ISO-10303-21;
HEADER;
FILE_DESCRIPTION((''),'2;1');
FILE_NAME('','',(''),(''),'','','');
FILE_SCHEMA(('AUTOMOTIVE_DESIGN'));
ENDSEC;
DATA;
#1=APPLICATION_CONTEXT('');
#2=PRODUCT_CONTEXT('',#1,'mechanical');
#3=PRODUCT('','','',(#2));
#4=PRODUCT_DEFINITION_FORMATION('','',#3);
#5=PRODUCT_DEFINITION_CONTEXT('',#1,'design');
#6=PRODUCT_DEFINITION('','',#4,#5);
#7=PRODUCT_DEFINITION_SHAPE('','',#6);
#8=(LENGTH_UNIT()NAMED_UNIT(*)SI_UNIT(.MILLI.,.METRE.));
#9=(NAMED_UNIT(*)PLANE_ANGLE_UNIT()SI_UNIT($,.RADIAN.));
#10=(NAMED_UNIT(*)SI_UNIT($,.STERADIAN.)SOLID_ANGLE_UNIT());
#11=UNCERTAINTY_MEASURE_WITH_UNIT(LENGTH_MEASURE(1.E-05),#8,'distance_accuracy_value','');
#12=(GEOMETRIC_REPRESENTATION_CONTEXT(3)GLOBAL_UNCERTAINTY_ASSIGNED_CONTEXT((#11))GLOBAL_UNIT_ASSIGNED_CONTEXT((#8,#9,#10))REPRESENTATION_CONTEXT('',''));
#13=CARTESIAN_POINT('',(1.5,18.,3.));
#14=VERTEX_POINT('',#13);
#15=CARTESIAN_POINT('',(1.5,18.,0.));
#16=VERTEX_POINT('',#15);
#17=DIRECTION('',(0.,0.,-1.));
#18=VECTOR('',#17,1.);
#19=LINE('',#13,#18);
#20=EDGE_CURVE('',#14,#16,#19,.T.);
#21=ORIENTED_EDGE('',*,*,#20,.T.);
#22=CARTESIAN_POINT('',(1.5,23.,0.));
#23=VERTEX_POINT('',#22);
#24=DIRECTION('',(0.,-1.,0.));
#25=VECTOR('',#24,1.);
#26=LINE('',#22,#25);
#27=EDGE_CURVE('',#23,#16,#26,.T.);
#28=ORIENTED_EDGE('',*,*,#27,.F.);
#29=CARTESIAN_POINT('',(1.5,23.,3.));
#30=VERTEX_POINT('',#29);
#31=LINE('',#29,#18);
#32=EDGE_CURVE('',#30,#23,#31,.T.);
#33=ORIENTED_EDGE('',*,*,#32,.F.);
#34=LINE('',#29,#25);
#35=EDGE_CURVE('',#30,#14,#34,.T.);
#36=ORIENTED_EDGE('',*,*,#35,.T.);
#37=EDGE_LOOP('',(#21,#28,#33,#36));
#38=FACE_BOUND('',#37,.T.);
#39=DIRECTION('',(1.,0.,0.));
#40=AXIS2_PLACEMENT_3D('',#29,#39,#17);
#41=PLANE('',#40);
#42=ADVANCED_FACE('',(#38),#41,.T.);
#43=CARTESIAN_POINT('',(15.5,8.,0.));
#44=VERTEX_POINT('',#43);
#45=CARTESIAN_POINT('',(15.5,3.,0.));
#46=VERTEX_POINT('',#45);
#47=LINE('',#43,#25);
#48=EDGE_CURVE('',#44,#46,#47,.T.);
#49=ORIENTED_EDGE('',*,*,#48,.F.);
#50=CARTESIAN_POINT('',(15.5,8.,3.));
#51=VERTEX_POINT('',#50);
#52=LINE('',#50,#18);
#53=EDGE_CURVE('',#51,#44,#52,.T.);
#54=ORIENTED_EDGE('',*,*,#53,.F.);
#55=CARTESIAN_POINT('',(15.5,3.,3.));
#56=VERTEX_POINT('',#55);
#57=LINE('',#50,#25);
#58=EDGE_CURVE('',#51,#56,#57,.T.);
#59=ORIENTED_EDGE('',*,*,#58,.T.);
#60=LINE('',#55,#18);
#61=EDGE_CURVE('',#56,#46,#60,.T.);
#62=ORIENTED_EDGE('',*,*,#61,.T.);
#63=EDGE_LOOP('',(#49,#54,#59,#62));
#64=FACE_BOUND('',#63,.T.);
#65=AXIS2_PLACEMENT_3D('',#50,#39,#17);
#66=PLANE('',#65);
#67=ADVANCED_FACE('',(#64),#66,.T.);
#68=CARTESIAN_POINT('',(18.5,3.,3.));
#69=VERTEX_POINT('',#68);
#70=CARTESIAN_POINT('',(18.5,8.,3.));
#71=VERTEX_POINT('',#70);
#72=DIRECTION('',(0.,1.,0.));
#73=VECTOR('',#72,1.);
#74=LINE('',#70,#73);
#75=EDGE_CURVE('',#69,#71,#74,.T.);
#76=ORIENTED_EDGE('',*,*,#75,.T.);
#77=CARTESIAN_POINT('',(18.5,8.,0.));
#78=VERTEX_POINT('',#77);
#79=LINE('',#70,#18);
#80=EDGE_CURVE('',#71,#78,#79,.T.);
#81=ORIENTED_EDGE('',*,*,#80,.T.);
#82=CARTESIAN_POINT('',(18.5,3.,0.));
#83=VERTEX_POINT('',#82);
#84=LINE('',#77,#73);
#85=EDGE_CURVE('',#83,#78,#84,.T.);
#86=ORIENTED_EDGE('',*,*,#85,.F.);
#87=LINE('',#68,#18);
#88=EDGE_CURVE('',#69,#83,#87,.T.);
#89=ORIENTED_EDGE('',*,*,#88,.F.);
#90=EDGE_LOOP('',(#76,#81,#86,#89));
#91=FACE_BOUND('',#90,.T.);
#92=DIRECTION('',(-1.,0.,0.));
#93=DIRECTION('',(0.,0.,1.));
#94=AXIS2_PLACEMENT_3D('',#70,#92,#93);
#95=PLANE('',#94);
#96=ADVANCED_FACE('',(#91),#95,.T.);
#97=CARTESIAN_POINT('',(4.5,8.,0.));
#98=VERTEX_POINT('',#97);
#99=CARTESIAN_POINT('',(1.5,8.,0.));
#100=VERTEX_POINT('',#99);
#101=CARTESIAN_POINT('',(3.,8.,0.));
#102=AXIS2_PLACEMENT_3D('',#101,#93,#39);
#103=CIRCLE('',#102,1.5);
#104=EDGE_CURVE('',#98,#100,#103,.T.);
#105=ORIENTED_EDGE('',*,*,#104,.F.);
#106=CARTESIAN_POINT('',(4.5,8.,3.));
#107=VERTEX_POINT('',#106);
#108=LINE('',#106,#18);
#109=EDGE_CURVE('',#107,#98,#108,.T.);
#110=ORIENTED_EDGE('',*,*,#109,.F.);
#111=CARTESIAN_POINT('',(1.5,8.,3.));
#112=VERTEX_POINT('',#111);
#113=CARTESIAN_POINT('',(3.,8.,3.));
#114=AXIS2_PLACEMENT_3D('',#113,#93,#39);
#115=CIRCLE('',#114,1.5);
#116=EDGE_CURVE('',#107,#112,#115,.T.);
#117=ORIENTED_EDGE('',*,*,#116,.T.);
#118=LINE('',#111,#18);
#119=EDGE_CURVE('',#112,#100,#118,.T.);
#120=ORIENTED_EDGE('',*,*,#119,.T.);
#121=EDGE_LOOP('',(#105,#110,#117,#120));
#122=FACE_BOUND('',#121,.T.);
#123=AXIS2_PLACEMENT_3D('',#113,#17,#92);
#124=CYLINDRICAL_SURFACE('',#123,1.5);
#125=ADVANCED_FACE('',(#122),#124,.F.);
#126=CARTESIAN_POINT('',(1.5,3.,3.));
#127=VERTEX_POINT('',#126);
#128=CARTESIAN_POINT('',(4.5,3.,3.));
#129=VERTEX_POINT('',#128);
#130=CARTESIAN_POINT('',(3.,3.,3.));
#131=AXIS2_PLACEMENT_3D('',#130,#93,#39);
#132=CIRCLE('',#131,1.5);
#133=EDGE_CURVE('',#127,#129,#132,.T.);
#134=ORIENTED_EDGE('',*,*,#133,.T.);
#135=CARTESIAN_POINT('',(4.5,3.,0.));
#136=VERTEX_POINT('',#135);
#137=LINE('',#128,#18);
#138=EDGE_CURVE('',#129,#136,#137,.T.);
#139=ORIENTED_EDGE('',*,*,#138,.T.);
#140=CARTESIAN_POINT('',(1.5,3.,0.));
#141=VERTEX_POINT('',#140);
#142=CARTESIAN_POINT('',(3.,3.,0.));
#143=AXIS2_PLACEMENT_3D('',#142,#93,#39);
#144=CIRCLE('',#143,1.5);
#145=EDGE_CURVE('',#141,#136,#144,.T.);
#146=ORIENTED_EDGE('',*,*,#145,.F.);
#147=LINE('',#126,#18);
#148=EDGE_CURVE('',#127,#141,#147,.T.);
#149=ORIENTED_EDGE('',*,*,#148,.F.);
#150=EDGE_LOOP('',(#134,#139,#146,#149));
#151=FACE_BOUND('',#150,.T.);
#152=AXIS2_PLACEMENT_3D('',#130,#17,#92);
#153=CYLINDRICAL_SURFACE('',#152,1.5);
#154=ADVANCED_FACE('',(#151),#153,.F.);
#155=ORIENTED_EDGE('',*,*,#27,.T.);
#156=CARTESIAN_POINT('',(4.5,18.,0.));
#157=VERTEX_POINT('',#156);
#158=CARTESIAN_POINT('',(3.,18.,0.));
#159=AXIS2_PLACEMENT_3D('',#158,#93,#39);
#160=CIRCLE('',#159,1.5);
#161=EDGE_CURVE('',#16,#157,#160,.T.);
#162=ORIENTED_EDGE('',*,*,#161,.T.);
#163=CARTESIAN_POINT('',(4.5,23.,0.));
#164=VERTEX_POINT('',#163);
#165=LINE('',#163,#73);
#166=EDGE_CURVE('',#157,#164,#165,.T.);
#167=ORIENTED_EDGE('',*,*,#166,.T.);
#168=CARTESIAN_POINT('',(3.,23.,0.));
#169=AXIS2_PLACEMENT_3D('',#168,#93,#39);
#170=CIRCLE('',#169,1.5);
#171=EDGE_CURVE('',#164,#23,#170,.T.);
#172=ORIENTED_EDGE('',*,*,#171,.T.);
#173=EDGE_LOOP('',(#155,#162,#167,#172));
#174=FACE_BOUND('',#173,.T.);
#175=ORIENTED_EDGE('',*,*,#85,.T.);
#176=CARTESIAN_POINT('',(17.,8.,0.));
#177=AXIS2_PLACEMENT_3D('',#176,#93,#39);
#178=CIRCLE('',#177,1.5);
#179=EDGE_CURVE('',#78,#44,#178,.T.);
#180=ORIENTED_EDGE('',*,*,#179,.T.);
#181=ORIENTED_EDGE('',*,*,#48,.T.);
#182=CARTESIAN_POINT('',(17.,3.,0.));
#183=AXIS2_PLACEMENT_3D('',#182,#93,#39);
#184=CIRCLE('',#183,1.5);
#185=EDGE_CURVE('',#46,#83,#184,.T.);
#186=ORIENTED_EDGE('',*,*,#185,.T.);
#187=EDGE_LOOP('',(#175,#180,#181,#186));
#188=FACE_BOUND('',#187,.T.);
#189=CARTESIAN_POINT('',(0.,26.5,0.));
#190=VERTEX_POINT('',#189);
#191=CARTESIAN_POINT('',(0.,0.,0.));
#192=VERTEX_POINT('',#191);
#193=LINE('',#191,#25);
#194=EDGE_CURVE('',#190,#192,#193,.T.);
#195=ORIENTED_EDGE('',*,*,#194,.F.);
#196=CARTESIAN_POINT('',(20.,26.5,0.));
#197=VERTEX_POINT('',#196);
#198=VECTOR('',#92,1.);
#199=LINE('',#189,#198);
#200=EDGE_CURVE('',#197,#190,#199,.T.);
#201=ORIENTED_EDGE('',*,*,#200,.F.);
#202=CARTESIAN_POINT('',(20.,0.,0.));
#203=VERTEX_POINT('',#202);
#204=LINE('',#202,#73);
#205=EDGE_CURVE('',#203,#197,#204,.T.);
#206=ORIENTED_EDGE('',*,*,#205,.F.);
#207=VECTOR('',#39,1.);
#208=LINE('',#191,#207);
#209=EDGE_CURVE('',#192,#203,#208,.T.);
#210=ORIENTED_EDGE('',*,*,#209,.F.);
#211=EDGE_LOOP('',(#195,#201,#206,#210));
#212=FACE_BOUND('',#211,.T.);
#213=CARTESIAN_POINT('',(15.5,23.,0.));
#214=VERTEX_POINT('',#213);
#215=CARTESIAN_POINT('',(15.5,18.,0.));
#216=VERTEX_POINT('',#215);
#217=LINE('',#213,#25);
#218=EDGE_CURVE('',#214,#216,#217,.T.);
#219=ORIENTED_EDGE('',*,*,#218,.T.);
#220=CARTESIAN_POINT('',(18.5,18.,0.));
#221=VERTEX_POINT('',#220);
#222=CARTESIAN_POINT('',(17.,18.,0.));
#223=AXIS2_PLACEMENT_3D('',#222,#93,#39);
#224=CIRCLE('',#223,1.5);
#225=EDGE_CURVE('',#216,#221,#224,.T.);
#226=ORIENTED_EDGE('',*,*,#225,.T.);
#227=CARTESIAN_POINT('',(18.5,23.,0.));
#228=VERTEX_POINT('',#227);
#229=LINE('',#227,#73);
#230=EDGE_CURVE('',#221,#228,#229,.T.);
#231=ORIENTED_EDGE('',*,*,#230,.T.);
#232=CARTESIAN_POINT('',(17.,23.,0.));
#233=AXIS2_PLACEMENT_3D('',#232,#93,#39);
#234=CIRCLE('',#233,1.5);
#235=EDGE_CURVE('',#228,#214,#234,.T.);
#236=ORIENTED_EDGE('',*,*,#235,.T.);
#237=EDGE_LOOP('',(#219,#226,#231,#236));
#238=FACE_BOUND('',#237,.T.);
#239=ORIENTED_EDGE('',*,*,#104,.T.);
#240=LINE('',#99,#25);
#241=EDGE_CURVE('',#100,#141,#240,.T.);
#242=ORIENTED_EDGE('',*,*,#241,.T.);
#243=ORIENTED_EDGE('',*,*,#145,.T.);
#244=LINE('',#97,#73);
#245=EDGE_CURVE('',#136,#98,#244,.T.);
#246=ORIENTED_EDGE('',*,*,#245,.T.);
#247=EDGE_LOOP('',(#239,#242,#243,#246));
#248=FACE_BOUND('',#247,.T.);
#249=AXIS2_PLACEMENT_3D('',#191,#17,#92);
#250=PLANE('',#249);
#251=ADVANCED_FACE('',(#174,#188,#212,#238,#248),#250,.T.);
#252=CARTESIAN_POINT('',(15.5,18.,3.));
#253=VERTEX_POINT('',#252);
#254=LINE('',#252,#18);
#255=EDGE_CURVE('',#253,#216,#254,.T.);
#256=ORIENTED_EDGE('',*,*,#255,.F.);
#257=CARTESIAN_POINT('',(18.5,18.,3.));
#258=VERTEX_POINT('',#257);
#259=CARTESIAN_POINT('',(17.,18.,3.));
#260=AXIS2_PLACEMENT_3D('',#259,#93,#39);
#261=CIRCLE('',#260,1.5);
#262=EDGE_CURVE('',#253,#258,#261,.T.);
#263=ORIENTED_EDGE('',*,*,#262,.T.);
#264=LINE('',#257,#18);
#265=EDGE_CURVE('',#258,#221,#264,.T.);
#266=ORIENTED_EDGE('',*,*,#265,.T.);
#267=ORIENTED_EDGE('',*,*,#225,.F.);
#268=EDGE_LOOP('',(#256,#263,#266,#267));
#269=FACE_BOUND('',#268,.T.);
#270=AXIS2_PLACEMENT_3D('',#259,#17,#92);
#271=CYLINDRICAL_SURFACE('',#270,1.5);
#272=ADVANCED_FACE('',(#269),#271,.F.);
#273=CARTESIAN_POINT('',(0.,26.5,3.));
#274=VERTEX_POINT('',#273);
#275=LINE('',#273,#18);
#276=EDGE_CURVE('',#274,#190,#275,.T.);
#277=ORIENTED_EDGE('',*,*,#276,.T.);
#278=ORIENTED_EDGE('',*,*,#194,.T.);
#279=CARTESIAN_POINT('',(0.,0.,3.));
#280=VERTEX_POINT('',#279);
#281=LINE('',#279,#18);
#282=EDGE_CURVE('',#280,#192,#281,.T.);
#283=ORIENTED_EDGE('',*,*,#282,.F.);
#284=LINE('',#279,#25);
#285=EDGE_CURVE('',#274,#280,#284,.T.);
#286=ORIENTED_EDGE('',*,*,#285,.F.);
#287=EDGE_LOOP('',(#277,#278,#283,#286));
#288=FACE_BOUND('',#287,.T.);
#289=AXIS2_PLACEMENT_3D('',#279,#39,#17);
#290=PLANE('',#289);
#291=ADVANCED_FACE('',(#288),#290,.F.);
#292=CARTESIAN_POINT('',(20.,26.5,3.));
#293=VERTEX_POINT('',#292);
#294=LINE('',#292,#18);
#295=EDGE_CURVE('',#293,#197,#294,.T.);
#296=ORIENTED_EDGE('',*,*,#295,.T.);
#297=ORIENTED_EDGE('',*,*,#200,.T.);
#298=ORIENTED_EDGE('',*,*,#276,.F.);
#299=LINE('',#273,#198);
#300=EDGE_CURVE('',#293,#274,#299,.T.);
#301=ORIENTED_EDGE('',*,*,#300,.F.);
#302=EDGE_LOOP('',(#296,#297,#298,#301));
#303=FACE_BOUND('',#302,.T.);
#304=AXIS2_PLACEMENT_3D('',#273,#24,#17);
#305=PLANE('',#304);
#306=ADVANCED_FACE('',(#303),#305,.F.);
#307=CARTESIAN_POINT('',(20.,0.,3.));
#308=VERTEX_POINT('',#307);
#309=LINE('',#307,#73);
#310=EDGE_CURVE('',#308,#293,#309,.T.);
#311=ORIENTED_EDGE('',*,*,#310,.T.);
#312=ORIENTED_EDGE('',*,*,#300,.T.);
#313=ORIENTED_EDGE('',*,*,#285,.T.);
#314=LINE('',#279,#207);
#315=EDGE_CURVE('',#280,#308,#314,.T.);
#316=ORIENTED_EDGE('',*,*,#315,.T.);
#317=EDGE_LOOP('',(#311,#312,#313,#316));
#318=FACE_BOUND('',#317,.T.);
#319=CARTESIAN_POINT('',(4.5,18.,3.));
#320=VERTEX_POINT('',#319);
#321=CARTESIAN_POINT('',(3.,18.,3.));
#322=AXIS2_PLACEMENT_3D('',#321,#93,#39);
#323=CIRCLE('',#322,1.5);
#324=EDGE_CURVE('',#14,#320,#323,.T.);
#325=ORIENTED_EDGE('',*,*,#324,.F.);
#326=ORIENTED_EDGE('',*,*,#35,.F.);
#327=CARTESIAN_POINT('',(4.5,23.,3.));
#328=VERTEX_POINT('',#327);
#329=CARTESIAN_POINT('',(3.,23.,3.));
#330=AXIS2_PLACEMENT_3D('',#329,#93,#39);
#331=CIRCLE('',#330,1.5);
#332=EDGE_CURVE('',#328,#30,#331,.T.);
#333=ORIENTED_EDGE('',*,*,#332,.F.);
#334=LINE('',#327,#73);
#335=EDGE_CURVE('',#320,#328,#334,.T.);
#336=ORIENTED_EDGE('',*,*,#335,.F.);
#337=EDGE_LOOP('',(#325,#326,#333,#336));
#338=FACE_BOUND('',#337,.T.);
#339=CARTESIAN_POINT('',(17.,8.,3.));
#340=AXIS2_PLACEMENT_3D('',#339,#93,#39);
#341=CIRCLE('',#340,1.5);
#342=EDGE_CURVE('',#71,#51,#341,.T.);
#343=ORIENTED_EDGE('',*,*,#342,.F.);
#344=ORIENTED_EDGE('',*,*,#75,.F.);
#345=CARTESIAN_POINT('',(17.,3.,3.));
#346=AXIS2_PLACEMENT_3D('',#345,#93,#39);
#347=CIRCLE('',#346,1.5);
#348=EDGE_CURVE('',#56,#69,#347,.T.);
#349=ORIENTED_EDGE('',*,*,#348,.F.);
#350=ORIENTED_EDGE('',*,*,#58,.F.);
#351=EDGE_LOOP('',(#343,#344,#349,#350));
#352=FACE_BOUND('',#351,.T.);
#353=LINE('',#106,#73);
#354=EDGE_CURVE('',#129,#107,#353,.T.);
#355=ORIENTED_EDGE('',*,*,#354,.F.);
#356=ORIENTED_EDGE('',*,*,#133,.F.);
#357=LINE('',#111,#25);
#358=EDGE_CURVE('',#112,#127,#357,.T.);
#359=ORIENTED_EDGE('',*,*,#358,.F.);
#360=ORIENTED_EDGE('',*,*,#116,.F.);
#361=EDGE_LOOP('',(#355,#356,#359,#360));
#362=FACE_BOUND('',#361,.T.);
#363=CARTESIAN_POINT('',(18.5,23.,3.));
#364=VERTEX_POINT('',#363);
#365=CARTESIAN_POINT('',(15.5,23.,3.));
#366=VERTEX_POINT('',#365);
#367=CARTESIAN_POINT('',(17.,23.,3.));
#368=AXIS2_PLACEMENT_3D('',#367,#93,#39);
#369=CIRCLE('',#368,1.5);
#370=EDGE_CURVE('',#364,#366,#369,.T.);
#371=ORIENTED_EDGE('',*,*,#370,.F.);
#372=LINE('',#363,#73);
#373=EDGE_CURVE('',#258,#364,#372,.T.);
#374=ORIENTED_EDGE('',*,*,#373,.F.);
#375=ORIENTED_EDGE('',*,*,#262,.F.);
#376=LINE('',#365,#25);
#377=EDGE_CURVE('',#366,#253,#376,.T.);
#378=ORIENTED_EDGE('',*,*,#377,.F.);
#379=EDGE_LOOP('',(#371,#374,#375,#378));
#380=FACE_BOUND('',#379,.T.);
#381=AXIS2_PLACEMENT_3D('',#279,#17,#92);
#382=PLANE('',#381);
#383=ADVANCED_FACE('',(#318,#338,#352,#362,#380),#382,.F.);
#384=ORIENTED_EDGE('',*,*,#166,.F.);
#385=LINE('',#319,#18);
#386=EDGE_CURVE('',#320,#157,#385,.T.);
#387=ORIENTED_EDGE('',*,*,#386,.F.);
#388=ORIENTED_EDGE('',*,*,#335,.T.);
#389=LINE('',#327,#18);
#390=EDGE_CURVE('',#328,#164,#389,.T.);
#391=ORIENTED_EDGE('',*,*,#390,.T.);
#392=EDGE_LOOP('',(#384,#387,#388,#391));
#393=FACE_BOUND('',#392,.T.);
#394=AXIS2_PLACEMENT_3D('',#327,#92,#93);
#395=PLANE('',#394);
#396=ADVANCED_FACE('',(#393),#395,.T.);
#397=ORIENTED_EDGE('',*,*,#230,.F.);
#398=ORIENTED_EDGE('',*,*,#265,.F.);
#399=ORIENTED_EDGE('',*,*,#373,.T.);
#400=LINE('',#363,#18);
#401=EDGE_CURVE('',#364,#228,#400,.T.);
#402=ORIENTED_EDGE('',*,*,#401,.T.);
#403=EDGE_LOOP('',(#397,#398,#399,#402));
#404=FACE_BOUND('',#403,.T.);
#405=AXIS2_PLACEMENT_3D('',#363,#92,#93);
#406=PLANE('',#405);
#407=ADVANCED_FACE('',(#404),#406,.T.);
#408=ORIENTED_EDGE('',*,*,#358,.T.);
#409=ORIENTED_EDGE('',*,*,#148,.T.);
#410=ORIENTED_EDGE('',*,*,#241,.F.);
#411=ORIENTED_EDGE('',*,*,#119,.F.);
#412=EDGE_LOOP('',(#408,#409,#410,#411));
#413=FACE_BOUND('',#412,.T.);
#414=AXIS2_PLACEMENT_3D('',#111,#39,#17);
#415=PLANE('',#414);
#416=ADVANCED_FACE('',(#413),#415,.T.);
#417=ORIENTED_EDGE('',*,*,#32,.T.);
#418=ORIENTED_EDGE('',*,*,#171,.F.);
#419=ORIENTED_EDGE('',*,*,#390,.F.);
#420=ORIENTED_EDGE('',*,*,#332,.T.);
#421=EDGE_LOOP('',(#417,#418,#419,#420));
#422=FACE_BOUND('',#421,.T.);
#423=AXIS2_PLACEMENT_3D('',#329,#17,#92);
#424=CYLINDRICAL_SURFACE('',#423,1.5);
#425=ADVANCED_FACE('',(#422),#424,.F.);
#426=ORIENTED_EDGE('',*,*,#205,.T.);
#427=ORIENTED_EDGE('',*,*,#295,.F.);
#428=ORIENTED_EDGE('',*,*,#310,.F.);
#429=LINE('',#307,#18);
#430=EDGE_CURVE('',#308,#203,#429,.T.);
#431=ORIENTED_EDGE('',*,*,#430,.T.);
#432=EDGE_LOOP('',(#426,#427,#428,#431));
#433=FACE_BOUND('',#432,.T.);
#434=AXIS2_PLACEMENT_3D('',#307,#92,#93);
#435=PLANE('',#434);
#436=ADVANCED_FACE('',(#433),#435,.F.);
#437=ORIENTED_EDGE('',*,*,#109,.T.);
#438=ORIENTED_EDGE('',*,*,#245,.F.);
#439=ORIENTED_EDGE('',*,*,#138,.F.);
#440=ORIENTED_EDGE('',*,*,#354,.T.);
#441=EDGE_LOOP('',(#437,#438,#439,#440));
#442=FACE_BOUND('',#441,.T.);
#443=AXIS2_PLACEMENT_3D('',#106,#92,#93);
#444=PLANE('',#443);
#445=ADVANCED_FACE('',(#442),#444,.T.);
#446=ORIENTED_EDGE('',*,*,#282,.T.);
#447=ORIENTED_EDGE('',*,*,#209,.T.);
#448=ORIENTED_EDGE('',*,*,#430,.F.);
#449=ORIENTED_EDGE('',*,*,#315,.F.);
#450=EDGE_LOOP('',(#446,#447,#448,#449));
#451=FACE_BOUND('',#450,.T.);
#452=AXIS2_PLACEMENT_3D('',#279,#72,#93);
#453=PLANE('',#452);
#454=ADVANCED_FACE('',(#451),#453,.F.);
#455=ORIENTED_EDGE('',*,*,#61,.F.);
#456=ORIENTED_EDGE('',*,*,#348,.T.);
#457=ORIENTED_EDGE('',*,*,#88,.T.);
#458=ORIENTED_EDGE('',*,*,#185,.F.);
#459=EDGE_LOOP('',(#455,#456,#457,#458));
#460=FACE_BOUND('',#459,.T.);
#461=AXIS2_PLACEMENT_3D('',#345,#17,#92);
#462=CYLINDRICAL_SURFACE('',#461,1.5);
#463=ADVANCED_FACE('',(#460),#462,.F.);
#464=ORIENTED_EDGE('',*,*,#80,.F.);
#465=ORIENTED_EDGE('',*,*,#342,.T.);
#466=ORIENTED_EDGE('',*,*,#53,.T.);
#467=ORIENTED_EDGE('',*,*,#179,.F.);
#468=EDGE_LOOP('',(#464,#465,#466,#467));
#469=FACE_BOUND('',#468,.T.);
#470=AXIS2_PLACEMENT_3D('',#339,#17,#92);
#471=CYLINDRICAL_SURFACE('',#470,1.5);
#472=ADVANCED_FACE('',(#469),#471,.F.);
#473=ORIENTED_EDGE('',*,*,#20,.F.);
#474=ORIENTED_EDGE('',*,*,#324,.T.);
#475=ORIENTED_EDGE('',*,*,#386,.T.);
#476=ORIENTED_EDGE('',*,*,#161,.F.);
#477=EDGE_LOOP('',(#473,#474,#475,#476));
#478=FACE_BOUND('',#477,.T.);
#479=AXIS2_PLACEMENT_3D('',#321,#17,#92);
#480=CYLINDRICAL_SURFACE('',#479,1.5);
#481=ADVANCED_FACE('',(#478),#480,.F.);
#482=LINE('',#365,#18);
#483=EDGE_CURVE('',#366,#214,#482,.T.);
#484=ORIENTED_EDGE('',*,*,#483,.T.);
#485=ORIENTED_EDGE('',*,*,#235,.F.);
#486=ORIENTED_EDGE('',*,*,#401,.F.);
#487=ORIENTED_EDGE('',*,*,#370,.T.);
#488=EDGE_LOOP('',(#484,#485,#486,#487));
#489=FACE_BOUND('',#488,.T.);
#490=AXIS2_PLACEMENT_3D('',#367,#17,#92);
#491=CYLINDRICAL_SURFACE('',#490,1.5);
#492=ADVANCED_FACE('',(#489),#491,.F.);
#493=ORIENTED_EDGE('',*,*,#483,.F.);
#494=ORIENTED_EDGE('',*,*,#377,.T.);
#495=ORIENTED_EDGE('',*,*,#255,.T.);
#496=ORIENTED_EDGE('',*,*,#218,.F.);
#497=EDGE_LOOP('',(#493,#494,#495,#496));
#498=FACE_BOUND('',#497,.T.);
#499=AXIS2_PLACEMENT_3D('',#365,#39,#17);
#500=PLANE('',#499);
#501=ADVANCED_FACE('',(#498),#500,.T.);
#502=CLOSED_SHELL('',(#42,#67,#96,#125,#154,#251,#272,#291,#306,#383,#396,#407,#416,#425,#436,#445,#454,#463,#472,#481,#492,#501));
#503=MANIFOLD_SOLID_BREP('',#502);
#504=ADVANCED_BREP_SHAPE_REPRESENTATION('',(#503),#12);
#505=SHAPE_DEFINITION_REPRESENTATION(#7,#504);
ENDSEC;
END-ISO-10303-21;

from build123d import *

# Parameters (mm, degrees)
SKETCH1_W           = 20
SKETCH1_H           = 26.5
BOSS_EXTRUDE1_DEPTH = 3


with BuildPart() as part:
    # Sketch1 → Boss-Extrude1 (new body)
    with BuildSketch(Plane.XY):
        with Locations((10, 13.25)):
            Rectangle(SKETCH1_W, SKETCH1_H)
        with BuildLine():
            Line((4.5, 8), (4.5, 3))
            ThreePointArc((4.5, 3), (3, 1.5), (1.5, 3))
            Line((1.5, 3), (1.5, 8))
            ThreePointArc((1.5, 8), (3, 9.5), (4.5, 8))
        make_face(mode=Mode.SUBTRACT)
        with BuildLine():
            Line((18.5, 8), (18.5, 3))
            ThreePointArc((18.5, 3), (17, 1.5), (15.5, 3))
            Line((15.5, 3), (15.5, 8))
            ThreePointArc((15.5, 8), (17, 9.5), (18.5, 8))
        make_face(mode=Mode.SUBTRACT)
        with BuildLine():
            Line((18.5, 23), (18.5, 18))
            ThreePointArc((18.5, 18), (17, 16.5), (15.5, 18))
            Line((15.5, 18), (15.5, 23))
            ThreePointArc((15.5, 23), (17, 24.5), (18.5, 23))
        make_face(mode=Mode.SUBTRACT)
        with BuildLine():
            Line((4.5, 23), (4.5, 18))
            ThreePointArc((4.5, 18), (3, 16.5), (1.5, 18))
            Line((1.5, 18), (1.5, 23))
            ThreePointArc((1.5, 23), (3, 24.5), (4.5, 23))
        make_face(mode=Mode.SUBTRACT)
    extrude(amount=BOSS_EXTRUDE1_DEPTH)


solid = part.part
